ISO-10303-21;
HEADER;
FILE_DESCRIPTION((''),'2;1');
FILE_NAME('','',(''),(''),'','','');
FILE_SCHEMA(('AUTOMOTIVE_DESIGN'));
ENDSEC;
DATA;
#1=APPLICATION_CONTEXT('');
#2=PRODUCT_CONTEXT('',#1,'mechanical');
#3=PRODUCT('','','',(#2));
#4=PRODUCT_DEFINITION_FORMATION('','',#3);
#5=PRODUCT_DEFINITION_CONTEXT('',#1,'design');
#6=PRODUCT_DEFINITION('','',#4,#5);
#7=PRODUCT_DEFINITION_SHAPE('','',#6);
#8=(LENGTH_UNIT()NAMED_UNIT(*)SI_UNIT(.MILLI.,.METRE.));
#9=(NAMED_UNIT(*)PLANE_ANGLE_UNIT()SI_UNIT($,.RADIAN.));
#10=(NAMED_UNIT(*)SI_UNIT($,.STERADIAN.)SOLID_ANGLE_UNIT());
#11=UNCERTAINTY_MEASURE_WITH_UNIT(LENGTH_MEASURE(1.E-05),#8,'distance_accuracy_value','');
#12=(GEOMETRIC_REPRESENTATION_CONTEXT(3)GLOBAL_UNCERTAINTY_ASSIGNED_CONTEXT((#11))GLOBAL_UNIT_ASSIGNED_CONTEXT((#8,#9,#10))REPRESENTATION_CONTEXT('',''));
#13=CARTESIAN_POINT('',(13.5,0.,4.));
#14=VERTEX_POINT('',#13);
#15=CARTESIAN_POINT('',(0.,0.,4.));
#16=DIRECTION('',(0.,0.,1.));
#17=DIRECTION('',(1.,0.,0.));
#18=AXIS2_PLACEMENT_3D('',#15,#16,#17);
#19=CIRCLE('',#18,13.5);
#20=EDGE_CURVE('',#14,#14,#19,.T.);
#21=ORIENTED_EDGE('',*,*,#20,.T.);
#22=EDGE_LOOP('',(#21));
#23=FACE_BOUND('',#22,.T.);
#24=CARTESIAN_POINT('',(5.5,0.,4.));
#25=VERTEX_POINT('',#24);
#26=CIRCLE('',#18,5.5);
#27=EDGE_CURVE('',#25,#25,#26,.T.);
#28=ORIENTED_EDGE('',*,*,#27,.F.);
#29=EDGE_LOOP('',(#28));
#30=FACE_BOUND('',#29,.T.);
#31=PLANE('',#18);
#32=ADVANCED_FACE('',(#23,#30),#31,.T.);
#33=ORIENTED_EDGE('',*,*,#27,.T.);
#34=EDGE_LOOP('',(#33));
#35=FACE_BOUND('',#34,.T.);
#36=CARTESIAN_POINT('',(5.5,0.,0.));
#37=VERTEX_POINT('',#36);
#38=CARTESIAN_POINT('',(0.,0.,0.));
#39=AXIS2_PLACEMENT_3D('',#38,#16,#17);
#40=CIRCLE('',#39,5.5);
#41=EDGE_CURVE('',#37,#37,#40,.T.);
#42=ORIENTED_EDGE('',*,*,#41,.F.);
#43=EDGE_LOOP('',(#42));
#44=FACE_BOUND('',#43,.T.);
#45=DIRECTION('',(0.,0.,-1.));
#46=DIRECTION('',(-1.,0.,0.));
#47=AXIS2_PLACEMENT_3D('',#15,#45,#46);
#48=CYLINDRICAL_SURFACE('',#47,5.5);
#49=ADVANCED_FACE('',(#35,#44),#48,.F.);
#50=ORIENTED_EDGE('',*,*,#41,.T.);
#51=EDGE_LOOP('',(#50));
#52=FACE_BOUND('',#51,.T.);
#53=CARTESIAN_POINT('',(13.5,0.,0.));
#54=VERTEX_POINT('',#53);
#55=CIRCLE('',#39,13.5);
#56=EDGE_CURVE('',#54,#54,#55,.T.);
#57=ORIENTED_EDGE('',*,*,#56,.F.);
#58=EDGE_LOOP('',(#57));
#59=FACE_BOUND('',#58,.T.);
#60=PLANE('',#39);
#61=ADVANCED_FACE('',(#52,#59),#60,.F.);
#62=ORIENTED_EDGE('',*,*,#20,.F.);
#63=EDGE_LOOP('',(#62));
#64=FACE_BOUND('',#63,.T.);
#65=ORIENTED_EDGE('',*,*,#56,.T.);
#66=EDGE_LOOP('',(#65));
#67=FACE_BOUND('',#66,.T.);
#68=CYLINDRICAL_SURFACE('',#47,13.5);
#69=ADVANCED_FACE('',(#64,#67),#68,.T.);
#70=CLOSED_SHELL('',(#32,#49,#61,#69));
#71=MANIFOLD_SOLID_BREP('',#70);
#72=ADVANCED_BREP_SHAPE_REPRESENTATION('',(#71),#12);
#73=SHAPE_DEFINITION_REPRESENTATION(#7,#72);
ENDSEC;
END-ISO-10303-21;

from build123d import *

# Parameters (mm, degrees)
ESQUISSE1_R      = 13.5
ESQUISSE1_R_2    = 5.5
EXTRUSION1_DEPTH = 4


with BuildPart() as part:
    # Esquisse1 → Extrusion1 (new body)
    with BuildSketch(Plane.XY):
        Circle(ESQUISSE1_R)
        Circle(ESQUISSE1_R_2, mode=Mode.SUBTRACT)
    extrude(amount=EXTRUSION1_DEPTH)


solid = part.part
